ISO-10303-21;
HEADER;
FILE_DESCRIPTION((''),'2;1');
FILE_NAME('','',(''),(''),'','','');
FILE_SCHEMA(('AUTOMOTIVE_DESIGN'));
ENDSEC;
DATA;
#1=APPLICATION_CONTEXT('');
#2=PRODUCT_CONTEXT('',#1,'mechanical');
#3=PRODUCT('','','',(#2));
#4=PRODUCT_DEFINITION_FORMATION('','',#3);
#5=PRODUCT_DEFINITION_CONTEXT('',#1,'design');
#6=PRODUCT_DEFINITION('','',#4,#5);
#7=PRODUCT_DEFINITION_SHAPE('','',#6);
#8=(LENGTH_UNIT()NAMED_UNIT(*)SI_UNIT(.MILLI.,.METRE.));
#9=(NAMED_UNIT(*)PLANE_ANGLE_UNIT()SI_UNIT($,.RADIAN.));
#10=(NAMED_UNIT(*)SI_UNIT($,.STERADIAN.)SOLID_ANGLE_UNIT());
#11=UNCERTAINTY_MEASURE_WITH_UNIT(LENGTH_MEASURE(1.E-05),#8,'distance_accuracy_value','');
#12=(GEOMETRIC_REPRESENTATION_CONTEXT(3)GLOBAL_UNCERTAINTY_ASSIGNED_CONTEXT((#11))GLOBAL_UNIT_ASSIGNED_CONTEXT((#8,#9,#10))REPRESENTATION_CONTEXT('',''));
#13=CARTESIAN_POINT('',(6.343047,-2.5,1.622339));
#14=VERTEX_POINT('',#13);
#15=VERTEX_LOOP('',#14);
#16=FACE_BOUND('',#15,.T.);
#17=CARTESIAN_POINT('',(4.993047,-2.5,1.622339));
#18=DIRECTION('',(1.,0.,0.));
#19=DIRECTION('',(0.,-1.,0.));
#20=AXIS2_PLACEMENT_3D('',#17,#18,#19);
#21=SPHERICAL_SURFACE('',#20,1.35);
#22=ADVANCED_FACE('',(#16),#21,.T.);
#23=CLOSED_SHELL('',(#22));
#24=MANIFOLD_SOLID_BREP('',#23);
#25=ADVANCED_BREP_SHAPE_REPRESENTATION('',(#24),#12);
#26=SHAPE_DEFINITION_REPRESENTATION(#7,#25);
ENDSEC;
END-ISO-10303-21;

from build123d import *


with BuildPart() as part:
    # Sketch1 → Revolve1 (revolve)
    with BuildSketch(Plane.XY.offset(1.62233922)):
        with BuildLine():
            Line((3.643046711, -2.5), (6.343046711, -2.5))
            ThreePointArc((6.343046711, -2.5), (4.993046711, -1.15), (3.643046711, -2.5))
        make_face()
    revolve(axis=Axis((3.643046711, -2.5, 1.62233922), (1, 0, 0)))


solid = part.part
